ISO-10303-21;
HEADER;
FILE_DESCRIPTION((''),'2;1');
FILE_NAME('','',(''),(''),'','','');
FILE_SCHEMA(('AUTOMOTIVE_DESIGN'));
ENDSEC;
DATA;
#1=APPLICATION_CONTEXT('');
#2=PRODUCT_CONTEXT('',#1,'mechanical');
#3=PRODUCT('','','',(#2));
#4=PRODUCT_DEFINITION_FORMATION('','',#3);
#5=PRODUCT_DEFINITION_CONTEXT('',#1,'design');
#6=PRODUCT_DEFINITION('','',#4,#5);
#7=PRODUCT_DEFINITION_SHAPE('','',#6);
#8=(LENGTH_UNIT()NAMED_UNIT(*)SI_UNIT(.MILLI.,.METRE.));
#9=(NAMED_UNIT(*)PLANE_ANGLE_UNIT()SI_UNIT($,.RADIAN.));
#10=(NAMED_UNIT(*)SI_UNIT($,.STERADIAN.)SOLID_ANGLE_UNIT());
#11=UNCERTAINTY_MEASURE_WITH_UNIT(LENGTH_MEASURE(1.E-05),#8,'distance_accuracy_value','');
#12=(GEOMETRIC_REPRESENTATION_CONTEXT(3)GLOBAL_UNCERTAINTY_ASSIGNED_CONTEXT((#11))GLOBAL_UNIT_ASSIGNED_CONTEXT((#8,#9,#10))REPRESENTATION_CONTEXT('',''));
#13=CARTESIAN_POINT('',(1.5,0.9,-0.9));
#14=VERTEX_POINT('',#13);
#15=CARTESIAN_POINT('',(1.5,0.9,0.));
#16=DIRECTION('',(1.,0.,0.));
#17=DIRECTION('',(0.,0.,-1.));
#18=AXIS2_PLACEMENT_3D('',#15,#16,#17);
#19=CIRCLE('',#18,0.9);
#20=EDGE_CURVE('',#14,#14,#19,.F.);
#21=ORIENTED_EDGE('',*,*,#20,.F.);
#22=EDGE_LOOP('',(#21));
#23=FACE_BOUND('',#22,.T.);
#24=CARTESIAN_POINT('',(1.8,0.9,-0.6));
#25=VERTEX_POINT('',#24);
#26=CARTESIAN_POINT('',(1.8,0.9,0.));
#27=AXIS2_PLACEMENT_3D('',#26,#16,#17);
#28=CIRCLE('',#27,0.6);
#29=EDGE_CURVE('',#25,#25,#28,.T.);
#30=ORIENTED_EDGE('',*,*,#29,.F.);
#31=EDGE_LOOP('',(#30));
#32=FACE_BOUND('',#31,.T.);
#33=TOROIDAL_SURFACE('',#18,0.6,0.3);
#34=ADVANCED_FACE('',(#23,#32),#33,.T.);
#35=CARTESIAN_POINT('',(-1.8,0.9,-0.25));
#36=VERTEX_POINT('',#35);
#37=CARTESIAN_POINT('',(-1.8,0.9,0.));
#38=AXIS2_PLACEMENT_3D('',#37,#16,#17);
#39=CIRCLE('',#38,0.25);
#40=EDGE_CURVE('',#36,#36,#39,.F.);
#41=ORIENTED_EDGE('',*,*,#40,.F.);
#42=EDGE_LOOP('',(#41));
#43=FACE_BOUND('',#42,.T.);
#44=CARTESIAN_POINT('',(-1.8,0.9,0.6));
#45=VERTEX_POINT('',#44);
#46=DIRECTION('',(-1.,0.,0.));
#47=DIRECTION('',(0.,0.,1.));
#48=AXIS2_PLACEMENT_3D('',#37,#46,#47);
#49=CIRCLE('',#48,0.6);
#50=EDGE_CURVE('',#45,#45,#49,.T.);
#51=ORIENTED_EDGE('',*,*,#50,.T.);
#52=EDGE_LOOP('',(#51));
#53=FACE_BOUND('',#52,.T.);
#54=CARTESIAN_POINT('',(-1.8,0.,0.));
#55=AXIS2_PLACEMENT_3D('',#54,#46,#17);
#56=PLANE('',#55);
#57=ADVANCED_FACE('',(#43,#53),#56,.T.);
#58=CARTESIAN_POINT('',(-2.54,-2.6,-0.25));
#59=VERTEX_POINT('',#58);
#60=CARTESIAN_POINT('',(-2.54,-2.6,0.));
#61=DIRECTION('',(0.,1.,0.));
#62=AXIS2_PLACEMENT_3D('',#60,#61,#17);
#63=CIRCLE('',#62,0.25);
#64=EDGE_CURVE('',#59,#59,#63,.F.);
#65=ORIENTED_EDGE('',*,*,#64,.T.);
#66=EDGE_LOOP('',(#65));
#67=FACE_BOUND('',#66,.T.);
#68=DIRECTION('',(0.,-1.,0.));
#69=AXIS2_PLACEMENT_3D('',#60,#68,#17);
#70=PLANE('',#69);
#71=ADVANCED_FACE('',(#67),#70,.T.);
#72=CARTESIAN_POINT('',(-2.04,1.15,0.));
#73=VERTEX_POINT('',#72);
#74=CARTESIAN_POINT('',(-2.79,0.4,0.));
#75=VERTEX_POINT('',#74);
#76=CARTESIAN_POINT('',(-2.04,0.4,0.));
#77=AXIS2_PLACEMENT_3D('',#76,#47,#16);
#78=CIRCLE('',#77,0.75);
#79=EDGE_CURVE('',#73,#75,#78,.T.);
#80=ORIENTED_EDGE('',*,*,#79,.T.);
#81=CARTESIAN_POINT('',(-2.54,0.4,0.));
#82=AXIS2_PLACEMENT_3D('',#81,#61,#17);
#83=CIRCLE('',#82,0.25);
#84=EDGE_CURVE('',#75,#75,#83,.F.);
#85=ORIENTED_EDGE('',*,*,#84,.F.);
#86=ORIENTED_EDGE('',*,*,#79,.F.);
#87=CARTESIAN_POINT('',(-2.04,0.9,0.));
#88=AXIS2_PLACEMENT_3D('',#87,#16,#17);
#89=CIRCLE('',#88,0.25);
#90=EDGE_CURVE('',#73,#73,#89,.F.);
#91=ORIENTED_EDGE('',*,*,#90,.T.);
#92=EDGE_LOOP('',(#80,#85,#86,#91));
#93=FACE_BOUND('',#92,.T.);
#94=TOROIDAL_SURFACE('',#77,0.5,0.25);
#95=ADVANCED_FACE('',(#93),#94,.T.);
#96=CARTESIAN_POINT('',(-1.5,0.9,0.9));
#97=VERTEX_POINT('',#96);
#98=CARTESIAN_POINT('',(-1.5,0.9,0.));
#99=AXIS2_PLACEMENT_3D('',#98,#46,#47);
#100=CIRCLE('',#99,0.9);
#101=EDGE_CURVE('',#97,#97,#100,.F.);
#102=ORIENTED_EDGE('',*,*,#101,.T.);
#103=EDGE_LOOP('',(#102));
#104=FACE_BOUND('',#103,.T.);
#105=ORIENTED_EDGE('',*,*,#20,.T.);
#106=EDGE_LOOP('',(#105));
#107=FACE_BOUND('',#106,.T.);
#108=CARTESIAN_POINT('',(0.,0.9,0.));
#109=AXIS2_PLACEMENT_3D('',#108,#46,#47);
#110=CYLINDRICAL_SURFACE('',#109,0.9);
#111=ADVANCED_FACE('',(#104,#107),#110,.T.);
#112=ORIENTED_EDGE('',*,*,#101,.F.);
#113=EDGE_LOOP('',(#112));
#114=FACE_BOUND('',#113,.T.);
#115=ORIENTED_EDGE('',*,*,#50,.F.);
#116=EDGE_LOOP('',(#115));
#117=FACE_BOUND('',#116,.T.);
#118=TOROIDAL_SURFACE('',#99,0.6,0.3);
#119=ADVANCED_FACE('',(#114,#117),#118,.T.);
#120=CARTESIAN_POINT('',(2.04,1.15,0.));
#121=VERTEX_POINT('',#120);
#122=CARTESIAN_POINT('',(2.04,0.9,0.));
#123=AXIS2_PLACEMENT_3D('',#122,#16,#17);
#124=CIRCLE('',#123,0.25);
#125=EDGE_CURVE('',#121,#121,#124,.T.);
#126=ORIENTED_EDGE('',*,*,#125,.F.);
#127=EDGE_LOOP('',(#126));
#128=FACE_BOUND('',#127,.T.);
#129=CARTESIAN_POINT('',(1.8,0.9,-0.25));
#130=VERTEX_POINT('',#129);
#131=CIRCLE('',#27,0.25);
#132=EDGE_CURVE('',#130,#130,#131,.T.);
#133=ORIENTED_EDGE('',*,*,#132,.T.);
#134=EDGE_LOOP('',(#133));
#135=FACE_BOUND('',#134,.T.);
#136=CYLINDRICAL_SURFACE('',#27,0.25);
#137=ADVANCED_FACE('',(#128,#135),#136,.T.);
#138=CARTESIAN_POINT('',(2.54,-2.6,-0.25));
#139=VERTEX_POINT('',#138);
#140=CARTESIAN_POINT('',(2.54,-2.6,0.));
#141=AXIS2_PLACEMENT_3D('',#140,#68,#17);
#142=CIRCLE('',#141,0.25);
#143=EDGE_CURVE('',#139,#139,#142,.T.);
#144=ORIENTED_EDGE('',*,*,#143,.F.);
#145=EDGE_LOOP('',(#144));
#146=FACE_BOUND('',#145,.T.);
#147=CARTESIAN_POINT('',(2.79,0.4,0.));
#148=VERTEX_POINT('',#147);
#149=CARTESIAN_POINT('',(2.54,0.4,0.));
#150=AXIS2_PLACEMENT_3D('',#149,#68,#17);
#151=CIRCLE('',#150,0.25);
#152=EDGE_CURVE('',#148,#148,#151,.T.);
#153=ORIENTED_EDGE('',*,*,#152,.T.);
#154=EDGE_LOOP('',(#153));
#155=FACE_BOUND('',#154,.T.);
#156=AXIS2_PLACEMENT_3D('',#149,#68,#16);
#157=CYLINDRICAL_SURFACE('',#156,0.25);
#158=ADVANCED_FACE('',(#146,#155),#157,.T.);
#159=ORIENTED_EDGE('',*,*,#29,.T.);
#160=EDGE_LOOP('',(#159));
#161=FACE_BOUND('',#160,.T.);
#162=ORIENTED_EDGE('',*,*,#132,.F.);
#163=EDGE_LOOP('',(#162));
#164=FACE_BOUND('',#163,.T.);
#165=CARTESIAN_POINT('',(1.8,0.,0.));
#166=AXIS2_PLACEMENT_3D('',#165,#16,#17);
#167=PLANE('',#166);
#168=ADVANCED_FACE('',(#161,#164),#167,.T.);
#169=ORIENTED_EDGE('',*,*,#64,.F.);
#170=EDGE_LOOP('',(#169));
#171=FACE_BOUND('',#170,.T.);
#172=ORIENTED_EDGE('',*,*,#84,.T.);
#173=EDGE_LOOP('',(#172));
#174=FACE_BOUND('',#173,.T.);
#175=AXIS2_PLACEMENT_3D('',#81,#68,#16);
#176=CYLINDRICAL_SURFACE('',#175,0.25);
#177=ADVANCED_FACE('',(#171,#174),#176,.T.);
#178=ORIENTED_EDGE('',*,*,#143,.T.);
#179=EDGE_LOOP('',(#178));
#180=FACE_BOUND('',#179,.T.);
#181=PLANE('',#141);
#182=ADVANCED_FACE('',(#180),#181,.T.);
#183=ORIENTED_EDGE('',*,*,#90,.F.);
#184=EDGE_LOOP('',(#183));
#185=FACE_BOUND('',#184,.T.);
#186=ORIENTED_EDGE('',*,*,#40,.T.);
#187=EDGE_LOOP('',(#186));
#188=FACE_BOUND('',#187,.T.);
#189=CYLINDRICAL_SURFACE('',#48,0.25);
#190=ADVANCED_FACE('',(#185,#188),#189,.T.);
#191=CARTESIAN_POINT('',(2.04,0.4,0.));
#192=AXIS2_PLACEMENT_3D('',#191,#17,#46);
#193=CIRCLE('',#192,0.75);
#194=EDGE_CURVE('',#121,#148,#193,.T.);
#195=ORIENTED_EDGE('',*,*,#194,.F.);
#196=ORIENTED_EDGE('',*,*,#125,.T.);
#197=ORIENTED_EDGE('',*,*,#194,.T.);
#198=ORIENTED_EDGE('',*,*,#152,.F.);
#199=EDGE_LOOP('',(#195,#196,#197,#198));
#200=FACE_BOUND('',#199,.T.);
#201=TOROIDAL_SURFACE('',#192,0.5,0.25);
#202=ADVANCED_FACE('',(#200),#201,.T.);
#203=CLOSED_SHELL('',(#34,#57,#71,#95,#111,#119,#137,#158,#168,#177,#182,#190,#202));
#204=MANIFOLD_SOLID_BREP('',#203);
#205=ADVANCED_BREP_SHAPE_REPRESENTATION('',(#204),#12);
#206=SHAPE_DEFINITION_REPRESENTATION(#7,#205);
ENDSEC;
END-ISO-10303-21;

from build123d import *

# Parameters (mm, degrees)
SKETCH1_W            = 1.8
SKETCH1_H            = 0.9
SKETCH3_R            = 0.25
FILLET1_R            = 0.3
FILLET1_OF_MIRROR1_R = 0.3


with BuildPart() as part:
    # Sketch1 → Revolve1 (revolve)
    with BuildSketch(Plane.XY, mode=Mode.PRIVATE) as revolve1_sk:
        with Locations((0.9, 0.45)):
            Rectangle(SKETCH1_W, SKETCH1_H)
    revolve1 = revolve(revolve1_sk.sketch.rotate(Axis((0, 0.9, 0), (1, 0, 0)), 270), axis=Axis((0, 0.9, 0), (1, 0, 0)))

    # Sweep1: sweep along a path in Sketch2
    with BuildLine(Plane.XY) as sweep1_path:
        Line((1.8, 0.9), (2.04, 0.9))
        ThreePointArc((2.04, 0.9), (2.393553391, 0.753553391), (2.54, 0.4))
        Line((2.54, 0.4), (2.54, -2.6))
    # Sketch3 → Sweep1 (sweep)
    with BuildSketch(Plane(origin=(1.8, 0, 0), x_dir=(0, 0, -1), z_dir=(1, 0, 0))):
        with Locations((0, 0.9)):
            Circle(SKETCH3_R)
    sweep1 = sweep(path=sweep1_path.line)

    # Fillet1
    fillet1_edges = [part.edges().sort_by_distance(p)[0] for p in [
        (1.8, 0.9, -0.9),
    ]]
    fillet(fillet1_edges, radius=FILLET1_R)

    # Mirror1: Revolve1, Sweep1 across plane
    add(revolve1.mirror(Plane.ZY))
    add(sweep1.mirror(Plane.ZY))

    # Fillet1 of Mirror1
    fillet1_of_mirror1_edges = [part.edges().sort_by_distance(p)[0] for p in [
        (-1.8, 0.9, -0.9),
    ]]
    fillet(fillet1_of_mirror1_edges, radius=FILLET1_OF_MIRROR1_R)


solid = part.part
